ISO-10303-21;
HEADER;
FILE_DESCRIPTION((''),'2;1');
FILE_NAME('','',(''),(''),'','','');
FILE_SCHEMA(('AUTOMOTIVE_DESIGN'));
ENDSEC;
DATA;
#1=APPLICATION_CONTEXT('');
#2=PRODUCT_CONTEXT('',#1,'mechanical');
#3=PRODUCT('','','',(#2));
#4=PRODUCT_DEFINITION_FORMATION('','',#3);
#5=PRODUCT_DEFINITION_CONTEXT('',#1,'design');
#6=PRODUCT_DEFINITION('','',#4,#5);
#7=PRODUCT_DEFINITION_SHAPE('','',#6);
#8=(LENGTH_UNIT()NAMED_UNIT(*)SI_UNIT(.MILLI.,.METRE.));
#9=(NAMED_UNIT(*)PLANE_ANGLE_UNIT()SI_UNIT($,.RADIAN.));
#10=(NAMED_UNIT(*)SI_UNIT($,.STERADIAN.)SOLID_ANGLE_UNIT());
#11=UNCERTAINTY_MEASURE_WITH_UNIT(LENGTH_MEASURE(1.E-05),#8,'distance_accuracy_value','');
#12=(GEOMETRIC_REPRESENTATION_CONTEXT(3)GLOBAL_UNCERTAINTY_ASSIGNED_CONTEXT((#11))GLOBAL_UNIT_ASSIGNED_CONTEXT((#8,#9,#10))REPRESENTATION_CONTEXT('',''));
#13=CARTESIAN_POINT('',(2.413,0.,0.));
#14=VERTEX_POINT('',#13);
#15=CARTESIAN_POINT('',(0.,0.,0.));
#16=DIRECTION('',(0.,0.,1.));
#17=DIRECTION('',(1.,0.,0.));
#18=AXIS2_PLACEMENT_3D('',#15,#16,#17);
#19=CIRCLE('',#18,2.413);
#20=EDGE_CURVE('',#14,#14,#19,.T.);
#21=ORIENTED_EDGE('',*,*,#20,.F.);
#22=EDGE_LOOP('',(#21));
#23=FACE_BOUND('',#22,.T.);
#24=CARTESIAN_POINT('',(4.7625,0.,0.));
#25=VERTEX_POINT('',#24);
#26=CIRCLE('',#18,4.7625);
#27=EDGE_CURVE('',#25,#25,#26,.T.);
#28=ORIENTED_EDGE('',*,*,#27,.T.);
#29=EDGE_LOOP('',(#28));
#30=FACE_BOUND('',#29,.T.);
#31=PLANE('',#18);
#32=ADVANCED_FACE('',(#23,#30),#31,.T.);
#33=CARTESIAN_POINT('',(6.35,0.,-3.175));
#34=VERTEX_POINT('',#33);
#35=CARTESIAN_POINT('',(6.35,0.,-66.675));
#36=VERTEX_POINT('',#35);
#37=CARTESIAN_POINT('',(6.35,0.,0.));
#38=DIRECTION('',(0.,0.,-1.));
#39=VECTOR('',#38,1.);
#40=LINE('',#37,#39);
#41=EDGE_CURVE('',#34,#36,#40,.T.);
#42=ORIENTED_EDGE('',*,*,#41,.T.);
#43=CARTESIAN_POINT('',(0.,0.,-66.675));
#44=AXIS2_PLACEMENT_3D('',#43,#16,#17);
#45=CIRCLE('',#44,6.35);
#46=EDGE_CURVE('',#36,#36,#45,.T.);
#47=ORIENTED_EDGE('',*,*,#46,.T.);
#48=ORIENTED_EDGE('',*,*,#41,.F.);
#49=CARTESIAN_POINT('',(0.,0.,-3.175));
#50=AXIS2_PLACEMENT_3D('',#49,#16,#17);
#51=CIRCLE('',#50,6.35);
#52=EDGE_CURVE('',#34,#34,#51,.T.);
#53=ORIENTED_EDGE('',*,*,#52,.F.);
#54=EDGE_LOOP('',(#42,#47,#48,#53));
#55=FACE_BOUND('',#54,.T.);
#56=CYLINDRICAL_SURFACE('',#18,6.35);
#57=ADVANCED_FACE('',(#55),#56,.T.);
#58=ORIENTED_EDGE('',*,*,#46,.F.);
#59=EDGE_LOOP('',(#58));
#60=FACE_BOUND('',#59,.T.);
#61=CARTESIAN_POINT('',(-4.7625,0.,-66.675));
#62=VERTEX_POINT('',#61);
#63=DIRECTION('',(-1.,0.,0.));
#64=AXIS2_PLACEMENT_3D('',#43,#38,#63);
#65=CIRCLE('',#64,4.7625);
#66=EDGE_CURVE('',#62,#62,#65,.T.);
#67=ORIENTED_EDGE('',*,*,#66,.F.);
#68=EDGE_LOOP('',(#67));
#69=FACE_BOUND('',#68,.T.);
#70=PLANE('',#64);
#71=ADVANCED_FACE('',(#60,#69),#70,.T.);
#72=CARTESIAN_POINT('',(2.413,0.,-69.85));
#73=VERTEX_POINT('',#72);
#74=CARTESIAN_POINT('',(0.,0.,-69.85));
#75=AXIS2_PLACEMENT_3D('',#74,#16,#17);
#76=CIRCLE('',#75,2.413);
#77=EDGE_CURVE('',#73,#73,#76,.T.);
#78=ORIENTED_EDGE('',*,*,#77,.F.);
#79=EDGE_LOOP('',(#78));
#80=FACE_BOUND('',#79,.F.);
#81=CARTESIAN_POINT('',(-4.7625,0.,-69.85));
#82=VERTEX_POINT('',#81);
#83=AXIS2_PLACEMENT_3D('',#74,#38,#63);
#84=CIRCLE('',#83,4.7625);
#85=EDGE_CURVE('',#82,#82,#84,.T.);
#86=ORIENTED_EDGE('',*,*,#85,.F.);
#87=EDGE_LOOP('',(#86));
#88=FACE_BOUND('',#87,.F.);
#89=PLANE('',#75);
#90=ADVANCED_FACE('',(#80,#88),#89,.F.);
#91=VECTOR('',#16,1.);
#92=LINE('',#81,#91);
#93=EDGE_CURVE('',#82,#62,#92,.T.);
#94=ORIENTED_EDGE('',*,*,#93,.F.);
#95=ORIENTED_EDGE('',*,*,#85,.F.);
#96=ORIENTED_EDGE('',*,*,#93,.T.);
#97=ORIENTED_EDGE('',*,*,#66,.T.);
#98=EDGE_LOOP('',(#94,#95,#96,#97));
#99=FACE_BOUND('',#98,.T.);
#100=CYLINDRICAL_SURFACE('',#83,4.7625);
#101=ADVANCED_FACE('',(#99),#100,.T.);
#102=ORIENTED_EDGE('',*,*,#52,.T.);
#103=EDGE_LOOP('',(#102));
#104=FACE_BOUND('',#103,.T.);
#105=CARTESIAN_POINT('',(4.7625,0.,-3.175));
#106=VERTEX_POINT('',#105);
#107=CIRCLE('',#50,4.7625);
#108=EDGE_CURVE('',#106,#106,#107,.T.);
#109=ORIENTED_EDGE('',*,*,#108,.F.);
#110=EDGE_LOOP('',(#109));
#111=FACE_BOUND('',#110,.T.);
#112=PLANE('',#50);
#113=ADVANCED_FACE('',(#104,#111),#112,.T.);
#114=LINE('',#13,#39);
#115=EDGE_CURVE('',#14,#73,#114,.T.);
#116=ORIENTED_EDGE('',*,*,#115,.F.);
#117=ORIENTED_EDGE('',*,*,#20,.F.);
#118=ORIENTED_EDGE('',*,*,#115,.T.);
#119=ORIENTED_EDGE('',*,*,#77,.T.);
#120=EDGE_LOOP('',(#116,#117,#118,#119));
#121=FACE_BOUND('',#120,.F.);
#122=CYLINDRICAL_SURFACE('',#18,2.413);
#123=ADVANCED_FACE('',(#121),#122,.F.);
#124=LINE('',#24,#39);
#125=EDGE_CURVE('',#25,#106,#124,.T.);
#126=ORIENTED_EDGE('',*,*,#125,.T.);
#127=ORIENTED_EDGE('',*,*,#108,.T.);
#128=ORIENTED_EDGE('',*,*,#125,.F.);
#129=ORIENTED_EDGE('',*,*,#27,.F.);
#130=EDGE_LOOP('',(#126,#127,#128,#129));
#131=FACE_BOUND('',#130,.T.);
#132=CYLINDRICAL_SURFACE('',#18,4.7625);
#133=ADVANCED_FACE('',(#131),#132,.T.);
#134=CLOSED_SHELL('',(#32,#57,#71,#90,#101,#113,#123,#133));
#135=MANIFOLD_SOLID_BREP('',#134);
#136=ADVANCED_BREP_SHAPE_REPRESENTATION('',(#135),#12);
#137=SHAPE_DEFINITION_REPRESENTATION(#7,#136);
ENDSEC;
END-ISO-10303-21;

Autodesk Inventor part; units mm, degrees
ref_plane "YZ Plane" through (0, 0, 0) normal (1, 0, 0) x (0, 1, 0)
ref_plane "XZ Plane" through (0, 0, 0) normal (0, 1, 0) x (-1, 0, 0)
ref_plane "XY Plane" through (0, 0, 0) normal (0, 0, 1) x (1, 0, 0)
sketch "Sketch1" plane through (0, 0, 0) normal (0, 0, 1) x (1, 0, 0)
  circle A0 centre (0, 0) radius 6.35
  dimension "d0" = 12.7
extrude "Extrusion1" add sketch "Sketch1" against normal blind 69.85
sketch "Sketch6" plane through (0, 0, 0) normal (0, 0, 1) x (1, 0, 0)
  circle A0 centre (0, 0) radius 6.35 projected
  circle A1 centre (0, 0) radius 2.413
  circle A2 centre (0, 0) radius 4.7625
  dimension "d43" = 4.826
  dimension "d44" = 9.525
extrude "Extrusion11" cut sketch "Sketch6" against normal blind 3.175 contours A0
sketch "Sketch7" plane through (0, 0, -69.85) normal (0, 0, -1) x (-1, 0, 0)
  circle A0 centre (0, 0) radius 6.35 projected
  circle A1 centre (0, 0) radius 4.7625 projected
extrude "Extrusion12" cut sketch "Sketch7" against normal blind 3.175
extrude "Extrusion13" cut sketch "Sketch6" against normal through all contours A1
thread "Thread7" size "10-24 UNC" class "2B" standard "ANSI Unified Screw Threads" full length
properties part number "lower box weel shaft steel 2"
